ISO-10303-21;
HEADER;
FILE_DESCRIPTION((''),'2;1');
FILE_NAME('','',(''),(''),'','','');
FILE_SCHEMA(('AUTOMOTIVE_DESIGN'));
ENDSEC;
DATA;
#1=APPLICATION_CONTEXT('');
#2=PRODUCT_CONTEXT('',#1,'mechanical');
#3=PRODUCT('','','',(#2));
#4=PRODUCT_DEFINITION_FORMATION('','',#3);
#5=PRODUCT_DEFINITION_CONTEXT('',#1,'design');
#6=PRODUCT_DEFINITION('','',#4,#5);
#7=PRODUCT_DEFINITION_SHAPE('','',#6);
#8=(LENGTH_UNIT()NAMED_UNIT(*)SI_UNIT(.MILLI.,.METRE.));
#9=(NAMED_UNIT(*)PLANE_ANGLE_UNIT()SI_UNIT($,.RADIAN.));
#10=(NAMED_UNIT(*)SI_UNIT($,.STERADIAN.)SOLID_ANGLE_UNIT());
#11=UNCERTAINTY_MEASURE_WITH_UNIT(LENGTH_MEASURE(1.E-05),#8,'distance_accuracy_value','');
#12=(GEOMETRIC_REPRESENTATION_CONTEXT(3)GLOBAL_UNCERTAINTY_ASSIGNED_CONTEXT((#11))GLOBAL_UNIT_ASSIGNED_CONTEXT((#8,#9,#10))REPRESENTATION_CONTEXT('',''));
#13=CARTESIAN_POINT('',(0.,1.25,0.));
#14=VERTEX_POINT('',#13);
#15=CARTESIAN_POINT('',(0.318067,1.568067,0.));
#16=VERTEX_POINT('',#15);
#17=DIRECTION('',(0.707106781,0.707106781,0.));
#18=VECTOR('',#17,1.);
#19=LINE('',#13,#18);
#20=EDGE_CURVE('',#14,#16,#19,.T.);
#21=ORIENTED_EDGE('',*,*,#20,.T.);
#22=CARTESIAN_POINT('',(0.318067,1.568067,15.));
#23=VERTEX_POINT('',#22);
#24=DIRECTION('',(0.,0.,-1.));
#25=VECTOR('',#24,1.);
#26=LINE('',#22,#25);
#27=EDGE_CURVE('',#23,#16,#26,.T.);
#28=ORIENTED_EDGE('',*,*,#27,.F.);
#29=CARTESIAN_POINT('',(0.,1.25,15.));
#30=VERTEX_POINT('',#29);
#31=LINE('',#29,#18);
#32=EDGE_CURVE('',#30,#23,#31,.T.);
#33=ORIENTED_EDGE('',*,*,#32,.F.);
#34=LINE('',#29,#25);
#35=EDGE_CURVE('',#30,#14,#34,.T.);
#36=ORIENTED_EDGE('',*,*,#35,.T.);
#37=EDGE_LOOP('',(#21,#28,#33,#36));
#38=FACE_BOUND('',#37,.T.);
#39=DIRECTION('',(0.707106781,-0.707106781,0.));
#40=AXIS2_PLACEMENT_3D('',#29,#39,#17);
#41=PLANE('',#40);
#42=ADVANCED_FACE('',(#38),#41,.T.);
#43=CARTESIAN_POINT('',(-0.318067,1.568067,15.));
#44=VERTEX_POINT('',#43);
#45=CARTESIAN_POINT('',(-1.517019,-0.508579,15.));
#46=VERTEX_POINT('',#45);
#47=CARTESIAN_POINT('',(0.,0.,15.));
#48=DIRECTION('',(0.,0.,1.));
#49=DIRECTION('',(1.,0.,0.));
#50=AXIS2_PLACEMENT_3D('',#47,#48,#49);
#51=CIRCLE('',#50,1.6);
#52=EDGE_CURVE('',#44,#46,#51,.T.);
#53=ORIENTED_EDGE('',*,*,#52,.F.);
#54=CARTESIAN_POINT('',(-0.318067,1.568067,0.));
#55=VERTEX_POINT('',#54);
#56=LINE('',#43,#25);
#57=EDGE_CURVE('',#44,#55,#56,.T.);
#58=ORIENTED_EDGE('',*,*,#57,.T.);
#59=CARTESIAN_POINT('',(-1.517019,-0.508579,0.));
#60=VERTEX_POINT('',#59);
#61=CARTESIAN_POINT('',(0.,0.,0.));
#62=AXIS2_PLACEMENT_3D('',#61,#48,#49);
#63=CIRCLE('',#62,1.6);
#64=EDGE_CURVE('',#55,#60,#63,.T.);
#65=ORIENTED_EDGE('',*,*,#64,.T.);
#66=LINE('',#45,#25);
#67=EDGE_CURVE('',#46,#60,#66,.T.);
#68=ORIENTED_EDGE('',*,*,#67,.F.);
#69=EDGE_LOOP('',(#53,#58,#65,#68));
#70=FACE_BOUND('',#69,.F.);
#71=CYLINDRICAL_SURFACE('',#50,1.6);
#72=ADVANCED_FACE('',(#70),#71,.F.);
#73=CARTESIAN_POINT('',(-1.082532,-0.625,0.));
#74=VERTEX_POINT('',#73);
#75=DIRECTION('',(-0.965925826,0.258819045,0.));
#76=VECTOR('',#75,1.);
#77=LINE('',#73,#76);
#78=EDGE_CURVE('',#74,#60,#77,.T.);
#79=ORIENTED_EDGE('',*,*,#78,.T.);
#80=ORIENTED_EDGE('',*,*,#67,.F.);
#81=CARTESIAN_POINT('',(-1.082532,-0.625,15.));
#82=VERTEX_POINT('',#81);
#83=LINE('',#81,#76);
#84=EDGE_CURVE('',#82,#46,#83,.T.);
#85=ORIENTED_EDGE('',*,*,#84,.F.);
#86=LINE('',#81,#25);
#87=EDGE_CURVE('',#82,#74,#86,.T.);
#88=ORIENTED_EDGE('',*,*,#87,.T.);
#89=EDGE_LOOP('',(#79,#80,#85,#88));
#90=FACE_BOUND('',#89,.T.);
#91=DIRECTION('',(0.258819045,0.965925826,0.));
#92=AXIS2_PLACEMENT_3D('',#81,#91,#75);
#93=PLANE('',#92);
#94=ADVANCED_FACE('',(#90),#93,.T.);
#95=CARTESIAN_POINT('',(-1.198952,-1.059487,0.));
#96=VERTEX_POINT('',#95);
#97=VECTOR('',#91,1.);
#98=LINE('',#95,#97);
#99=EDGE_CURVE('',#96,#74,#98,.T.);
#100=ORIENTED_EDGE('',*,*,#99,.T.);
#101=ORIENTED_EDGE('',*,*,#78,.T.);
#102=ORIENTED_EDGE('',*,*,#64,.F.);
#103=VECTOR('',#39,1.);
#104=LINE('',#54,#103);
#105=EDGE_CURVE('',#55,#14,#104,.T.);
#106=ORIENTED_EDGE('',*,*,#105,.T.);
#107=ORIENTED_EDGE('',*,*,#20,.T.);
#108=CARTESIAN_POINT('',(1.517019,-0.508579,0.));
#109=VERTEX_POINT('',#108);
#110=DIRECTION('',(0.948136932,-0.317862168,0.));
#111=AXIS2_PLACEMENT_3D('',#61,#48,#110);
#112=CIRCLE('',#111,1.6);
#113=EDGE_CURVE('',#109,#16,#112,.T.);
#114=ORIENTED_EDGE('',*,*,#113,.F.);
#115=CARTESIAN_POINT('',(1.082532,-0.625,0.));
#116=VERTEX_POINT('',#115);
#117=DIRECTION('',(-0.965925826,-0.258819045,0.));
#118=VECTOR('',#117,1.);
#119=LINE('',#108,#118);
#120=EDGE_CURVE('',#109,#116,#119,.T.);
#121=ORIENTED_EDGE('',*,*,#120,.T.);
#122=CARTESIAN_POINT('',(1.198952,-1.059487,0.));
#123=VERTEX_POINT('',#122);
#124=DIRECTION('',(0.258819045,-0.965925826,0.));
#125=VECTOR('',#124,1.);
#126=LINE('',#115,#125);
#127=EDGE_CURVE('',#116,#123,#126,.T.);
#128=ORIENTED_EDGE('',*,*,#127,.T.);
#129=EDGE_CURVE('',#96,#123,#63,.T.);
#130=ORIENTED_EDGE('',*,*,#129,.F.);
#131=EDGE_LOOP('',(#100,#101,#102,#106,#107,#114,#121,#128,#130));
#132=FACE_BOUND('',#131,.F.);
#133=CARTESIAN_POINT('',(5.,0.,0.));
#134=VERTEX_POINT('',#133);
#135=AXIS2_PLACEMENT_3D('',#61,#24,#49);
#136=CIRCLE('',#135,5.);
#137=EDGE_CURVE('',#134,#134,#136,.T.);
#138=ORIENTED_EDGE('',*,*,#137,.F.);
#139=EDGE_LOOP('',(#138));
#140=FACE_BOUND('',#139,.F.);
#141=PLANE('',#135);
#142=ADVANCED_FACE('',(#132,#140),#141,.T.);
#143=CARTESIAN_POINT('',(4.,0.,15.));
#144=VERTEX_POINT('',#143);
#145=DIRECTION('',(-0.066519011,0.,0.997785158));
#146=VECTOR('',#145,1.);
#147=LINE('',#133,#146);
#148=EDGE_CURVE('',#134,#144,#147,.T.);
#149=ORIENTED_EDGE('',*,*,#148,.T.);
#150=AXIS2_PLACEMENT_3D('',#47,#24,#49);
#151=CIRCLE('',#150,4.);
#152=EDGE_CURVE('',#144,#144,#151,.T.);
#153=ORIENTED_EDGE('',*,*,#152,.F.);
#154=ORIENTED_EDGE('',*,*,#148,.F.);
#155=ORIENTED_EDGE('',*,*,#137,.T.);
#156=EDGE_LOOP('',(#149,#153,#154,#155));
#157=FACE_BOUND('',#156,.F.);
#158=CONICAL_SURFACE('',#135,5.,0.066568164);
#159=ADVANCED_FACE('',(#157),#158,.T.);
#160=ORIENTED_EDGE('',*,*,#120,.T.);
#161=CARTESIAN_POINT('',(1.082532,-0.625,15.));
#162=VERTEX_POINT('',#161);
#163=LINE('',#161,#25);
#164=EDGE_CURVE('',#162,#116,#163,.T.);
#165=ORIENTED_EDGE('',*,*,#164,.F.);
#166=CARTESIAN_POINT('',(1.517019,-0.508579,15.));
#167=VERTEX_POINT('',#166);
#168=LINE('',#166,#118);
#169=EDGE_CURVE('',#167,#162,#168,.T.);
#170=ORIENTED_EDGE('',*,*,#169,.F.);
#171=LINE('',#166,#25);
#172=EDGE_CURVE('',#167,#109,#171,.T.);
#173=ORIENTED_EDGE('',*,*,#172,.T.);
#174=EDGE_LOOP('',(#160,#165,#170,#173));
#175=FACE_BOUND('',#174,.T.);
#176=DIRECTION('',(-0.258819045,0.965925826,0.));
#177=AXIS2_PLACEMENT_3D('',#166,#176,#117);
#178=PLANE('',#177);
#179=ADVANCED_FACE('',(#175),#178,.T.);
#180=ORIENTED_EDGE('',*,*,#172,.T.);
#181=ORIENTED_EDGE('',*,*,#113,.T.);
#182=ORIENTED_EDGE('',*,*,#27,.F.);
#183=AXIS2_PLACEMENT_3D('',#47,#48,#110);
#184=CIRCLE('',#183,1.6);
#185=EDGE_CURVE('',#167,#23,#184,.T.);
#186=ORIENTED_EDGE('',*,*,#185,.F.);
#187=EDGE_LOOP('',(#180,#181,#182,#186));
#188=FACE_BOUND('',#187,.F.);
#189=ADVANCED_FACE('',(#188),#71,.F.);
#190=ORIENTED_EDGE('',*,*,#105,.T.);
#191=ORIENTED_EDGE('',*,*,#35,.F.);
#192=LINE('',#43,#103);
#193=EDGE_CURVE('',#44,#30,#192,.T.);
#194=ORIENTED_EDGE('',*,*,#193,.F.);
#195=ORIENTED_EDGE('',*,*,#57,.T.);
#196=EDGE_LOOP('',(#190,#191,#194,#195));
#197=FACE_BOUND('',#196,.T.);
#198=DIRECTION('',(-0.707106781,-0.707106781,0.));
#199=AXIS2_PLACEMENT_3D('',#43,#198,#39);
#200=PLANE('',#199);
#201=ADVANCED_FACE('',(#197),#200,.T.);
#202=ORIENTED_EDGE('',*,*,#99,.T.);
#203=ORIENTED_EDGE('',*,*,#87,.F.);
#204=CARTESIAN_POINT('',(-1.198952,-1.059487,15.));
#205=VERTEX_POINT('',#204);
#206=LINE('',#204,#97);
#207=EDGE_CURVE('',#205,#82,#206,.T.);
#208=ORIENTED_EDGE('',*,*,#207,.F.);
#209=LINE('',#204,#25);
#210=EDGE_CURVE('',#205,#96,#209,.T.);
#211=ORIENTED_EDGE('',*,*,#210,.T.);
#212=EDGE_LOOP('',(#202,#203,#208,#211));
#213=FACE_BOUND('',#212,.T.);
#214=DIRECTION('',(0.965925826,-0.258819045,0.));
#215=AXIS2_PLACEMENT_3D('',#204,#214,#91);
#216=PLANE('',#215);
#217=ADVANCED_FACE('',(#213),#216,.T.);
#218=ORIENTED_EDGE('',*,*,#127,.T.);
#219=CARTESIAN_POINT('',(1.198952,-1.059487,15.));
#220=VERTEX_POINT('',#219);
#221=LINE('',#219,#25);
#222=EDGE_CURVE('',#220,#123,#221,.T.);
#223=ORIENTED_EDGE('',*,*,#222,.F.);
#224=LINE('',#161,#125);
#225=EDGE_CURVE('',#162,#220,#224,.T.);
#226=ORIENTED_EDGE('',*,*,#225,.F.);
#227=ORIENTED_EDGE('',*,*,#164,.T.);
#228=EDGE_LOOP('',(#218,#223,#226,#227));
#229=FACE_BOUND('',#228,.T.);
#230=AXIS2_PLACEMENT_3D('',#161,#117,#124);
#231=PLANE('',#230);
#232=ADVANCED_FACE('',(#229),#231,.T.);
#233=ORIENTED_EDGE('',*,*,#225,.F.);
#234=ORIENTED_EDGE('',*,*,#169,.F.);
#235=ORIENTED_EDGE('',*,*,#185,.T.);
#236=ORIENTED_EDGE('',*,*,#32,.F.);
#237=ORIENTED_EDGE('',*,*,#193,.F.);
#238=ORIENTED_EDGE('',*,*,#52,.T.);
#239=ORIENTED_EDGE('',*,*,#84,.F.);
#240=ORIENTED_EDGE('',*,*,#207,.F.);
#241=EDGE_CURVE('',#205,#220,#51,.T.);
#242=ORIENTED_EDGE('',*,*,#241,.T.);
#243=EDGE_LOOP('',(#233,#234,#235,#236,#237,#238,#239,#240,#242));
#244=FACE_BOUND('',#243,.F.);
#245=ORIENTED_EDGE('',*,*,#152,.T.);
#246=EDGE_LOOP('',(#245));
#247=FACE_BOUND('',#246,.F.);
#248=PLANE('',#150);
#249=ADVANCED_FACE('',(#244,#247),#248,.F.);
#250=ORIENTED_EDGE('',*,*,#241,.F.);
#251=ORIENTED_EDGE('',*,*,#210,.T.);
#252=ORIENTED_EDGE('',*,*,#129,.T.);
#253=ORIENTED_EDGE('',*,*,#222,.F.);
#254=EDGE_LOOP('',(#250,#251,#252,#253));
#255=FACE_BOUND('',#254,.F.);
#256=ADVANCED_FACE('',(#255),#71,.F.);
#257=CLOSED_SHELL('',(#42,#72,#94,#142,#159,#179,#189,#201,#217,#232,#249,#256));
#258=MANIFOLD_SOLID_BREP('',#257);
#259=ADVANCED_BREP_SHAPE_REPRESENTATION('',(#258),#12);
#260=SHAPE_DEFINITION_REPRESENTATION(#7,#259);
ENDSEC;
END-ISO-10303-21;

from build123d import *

# Parameters (mm, degrees)
F2_R     = 1.6
F3_DEPTH = 15
F5_DEPTH = 15


with BuildPart() as f1:
    # F0 (on Front) → F1 (revolve)
    with BuildSketch(Plane.XZ):
        Polygon((0, 15), (0, 0), (5, 0), (4, 15), align=None)
    revolve(axis=Axis((0, 0, 7.5), (0, 0, -1)))

    # F2 (on face) → F3 (cut, through all)
    with BuildSketch(Plane.XY.offset(15)):
        Circle(F2_R)
    extrude(amount=-F3_DEPTH, mode=Mode.SUBTRACT)

    # F4 (on face) → F5 (join, through all)
    with BuildSketch(Plane.XY.offset(15)):
        with BuildLine():
            ThreePointArc((0.3180668057, 1.5680668057), (0, 1.6), (-0.3180668057, 1.5680668057))
            Line((-0.3180668057, 1.5680668057), (0, 1.25))
            Line((0, 1.25), (0.3180668057, 1.5680668057))
        make_face()
        with BuildLine():
            ThreePointArc((1.1989522857, -1.0594873367), (1.3856406461, -0.8), (1.5170190914, -0.508579469))
            Line((1.5170190914, -0.508579469), (1.0825317547, -0.625))
            Line((1.0825317547, -0.625), (1.1989522857, -1.0594873367))
        make_face()
        with BuildLine():
            Line((-1.0825317547, -0.625), (-1.5170190914, -0.508579469))
            ThreePointArc((-1.5170190914, -0.508579469), (-1.3856406461, -0.8), (-1.1989522857, -1.0594873367))
            Line((-1.1989522857, -1.0594873367), (-1.0825317547, -0.625))
        make_face()
    extrude(amount=-F5_DEPTH)


solid = f1.part
